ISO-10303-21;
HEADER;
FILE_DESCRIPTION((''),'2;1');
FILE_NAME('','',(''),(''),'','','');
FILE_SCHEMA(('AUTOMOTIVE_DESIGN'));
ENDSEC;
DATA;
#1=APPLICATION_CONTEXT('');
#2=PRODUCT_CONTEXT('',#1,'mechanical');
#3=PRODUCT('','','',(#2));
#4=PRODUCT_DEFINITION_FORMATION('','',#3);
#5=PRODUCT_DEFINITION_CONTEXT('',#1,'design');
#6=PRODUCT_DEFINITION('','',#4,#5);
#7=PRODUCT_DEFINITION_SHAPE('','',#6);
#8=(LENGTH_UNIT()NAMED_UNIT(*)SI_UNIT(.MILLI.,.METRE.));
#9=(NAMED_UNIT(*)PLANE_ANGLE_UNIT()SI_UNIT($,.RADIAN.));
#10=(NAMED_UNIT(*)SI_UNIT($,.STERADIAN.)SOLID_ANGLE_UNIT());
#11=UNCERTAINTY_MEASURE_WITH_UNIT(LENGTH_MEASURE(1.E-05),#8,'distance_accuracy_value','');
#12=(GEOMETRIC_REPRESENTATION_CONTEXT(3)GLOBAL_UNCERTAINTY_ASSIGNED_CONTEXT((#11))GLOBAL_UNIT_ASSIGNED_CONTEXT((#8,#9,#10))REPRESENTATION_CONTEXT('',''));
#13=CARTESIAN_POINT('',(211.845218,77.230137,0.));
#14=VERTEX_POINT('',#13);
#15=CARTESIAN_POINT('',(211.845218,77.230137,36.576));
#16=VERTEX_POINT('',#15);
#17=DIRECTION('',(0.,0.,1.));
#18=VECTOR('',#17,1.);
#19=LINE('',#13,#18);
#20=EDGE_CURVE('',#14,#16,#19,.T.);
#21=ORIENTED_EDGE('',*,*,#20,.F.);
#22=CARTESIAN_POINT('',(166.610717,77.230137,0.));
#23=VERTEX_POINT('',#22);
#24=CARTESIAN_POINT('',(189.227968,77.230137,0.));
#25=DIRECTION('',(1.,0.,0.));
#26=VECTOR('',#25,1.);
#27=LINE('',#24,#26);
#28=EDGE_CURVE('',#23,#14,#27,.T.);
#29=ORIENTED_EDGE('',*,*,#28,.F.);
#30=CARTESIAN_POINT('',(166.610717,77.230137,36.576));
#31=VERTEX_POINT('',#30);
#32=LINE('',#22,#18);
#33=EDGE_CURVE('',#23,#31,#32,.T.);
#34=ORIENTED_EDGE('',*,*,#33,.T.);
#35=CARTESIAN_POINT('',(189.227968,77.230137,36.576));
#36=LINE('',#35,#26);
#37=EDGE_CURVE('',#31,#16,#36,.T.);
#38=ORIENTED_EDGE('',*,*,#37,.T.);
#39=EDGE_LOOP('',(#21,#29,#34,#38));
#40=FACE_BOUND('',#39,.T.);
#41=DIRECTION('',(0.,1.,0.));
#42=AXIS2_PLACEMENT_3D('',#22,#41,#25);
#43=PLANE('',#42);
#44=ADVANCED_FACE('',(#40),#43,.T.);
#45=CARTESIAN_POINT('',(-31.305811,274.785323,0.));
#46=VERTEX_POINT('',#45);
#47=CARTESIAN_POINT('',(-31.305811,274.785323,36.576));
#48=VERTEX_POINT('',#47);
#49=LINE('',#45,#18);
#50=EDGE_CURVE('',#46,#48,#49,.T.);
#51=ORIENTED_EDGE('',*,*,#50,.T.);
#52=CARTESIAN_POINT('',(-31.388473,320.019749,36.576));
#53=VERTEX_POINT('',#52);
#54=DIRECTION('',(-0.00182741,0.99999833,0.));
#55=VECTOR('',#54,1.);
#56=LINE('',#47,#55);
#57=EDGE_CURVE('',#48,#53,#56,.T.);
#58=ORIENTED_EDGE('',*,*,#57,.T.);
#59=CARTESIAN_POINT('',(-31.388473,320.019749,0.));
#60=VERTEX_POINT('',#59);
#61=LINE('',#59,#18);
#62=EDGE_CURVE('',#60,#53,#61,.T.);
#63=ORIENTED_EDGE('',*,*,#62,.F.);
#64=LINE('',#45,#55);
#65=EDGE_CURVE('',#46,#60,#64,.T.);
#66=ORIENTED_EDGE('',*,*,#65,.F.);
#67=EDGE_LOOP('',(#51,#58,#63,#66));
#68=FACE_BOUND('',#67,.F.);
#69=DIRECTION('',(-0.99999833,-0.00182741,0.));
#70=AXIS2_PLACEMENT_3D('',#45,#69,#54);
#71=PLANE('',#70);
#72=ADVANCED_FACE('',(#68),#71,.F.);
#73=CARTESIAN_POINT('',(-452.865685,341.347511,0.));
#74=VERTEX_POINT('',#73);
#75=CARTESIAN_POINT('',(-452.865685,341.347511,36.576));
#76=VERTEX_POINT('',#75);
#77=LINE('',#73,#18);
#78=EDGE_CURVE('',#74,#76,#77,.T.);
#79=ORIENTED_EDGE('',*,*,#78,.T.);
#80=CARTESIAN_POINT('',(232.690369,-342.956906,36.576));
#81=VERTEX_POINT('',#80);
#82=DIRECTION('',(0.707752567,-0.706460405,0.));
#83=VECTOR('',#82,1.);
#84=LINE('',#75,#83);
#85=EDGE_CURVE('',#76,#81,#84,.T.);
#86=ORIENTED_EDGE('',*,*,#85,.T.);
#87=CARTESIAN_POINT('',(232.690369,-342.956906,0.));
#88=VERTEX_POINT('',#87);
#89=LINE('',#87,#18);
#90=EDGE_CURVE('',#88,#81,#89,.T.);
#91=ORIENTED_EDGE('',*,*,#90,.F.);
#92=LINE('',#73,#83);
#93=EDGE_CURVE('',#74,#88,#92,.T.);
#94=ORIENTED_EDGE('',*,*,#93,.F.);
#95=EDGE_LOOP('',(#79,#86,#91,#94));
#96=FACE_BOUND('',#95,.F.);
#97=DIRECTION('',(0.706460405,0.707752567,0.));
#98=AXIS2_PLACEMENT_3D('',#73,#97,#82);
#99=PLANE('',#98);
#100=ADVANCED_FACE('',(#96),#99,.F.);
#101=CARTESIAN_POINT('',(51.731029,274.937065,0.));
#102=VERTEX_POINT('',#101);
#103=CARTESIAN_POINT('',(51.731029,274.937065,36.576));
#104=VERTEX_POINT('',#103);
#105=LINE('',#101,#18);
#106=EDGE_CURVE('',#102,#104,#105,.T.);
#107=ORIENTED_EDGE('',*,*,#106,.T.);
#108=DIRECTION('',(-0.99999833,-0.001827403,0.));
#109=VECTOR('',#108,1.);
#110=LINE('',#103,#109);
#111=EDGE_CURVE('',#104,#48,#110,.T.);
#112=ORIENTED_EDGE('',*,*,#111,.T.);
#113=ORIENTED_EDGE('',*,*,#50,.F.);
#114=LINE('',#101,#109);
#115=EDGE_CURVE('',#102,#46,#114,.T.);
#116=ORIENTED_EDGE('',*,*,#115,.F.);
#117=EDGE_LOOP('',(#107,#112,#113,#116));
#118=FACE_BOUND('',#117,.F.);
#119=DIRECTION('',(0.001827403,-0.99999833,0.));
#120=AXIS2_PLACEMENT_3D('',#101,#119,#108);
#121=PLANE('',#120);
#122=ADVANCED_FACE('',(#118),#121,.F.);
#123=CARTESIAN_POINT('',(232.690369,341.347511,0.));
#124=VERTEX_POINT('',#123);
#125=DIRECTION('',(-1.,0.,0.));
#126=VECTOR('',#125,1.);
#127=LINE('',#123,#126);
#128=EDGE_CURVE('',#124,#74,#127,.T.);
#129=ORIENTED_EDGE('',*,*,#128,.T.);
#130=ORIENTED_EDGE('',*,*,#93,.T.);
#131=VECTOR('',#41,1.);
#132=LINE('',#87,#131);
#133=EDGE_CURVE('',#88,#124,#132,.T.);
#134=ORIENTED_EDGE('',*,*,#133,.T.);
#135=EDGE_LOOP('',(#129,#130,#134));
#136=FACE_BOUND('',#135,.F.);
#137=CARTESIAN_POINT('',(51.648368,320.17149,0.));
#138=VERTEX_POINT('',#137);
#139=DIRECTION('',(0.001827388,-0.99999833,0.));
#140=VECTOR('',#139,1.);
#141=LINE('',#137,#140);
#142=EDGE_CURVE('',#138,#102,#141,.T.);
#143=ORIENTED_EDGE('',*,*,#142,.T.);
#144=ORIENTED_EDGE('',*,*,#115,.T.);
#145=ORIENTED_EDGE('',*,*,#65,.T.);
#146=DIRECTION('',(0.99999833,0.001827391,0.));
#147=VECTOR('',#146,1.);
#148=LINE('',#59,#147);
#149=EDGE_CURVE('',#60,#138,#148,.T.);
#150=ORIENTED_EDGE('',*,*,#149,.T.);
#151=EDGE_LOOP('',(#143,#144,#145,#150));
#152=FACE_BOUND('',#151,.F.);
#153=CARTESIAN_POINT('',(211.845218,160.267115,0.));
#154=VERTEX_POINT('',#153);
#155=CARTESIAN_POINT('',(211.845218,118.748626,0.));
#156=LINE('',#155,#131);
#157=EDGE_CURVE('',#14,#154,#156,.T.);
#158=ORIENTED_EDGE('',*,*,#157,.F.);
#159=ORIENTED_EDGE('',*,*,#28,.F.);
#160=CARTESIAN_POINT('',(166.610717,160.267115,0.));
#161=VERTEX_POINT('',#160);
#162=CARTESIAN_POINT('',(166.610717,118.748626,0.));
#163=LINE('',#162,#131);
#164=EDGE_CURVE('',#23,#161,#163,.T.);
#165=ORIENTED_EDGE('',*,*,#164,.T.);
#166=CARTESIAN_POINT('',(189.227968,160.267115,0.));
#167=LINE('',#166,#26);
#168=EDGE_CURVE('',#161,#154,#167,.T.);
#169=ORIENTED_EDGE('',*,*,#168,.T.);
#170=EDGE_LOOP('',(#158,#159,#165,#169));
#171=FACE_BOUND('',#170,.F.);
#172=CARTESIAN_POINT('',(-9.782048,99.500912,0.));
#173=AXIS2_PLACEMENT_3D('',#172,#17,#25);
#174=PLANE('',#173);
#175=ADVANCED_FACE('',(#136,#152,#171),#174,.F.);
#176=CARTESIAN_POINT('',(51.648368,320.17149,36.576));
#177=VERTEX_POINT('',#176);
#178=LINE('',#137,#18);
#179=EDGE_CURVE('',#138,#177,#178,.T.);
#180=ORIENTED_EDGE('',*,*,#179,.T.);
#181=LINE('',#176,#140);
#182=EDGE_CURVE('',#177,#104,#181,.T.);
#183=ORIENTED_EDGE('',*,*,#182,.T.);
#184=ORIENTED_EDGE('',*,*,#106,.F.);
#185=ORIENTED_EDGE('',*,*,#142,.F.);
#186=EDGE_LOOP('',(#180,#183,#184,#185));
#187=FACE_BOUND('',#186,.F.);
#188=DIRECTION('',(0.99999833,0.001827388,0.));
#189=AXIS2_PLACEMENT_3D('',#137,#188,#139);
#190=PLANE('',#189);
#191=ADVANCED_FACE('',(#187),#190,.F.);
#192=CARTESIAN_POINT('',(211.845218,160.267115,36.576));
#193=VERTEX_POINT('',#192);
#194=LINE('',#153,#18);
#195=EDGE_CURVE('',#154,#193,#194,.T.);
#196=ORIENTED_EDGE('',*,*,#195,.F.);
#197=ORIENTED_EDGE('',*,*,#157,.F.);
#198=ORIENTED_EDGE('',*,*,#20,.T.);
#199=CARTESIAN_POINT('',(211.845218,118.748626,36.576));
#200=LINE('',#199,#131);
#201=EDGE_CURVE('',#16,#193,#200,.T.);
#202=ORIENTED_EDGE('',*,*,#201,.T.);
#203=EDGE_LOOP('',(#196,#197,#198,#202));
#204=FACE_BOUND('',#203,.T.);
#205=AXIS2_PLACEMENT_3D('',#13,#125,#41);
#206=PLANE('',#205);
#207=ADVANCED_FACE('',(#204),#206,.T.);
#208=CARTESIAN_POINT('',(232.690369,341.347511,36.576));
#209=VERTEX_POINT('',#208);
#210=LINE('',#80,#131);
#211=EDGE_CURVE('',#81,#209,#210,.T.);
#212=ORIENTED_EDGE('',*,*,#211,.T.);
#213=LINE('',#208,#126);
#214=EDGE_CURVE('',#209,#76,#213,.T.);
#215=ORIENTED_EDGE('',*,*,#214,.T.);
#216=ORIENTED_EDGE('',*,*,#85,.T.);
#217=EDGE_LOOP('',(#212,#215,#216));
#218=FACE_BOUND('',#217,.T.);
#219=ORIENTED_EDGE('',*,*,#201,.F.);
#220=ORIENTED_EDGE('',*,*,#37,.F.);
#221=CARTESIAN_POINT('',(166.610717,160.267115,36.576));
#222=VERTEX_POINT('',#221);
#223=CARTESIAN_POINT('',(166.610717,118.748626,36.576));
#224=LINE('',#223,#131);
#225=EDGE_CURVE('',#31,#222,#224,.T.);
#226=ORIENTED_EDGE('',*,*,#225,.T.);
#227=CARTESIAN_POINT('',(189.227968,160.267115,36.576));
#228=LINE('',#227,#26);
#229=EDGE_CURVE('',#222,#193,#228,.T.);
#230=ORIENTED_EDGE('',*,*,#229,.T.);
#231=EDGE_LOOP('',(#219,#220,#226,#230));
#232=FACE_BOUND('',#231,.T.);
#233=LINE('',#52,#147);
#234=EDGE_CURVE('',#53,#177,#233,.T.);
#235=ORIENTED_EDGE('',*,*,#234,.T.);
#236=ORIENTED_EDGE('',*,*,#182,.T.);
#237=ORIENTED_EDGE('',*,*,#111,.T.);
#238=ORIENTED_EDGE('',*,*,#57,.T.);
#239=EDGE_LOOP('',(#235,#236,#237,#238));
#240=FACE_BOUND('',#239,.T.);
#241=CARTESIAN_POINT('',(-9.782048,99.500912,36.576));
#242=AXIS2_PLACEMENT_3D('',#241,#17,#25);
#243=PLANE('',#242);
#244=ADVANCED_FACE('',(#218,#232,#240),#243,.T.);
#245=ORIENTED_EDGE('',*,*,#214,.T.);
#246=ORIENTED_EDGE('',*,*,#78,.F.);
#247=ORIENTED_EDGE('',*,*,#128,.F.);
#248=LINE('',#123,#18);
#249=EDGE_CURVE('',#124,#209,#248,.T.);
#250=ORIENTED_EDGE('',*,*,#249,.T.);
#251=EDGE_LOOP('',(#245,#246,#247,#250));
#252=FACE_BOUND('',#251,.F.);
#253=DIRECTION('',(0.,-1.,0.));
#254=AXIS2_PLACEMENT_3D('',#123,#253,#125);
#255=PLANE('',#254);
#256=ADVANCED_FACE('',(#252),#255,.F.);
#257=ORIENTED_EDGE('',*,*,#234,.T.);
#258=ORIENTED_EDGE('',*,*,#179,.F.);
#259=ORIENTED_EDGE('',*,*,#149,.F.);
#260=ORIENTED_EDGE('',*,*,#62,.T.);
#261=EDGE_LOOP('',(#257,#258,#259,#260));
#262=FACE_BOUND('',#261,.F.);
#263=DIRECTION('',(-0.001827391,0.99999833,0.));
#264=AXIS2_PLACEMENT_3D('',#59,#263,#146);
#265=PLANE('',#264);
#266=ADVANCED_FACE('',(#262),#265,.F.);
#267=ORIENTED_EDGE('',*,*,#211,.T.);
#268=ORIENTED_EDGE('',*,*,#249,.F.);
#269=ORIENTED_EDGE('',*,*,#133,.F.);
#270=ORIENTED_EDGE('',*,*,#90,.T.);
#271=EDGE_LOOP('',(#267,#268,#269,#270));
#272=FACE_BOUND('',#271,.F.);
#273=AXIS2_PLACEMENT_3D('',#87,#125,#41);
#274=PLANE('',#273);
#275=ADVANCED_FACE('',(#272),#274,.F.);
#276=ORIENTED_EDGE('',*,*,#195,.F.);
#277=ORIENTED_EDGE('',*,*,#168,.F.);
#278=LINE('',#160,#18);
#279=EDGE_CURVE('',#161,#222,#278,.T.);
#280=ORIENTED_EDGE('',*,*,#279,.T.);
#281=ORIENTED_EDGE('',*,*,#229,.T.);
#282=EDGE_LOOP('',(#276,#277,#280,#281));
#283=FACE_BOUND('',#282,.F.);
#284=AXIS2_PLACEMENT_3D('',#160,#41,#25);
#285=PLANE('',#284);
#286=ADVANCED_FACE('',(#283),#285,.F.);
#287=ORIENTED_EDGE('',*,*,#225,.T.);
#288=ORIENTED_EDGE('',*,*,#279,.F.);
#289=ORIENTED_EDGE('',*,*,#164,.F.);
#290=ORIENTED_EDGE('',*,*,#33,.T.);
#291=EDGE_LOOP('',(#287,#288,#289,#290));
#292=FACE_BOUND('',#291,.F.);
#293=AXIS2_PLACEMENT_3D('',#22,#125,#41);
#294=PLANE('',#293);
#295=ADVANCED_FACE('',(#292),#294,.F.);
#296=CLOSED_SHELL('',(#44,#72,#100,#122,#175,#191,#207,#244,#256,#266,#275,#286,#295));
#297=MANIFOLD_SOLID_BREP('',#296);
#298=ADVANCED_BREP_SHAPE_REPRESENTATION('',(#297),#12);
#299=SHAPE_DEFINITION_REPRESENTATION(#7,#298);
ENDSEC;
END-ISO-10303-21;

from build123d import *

# Parameters (mm, degrees)
F0_W     = 45.234501
F0_H     = 83.036979
F1_DEPTH = 36.576
F2_DEPTH = 36.576


with BuildPart() as f1:
    # F0 (on Top) → F1 (new body)
    with BuildSketch(Plane.XY):
        Polygon((232.690369, 341.347511), (-452.865685, 341.347511), (232.690369, -342.956906), (232.690369, -171.880802), (232.690369, -0.804697), align=None)
        with Locations((189.227968, 118.748626)):
            Rectangle(F0_W, F0_H, mode=Mode.SUBTRACT)
        Polygon((-31.388473, 320.019749), (51.648368, 320.17149), (51.731029, 274.937065), (-31.305811, 274.785323), align=None, mode=Mode.SUBTRACT)
    extrude(amount=F1_DEPTH)

    # F0 (on Top) → F2 (join)
    with BuildSketch(Plane.XY):
        Polygon((232.690369, 341.347511), (-452.865685, 341.347511), (232.690369, -342.956906), (232.690369, -171.880802), (232.690369, -0.804697), align=None)
        with Locations((189.227968, 118.748626)):
            Rectangle(F0_W, F0_H, mode=Mode.SUBTRACT)
        Polygon((-31.388473, 320.019749), (51.648368, 320.17149), (51.731029, 274.937065), (-31.305811, 274.785323), align=None, mode=Mode.SUBTRACT)
    extrude(amount=F2_DEPTH)


solid = f1.part
